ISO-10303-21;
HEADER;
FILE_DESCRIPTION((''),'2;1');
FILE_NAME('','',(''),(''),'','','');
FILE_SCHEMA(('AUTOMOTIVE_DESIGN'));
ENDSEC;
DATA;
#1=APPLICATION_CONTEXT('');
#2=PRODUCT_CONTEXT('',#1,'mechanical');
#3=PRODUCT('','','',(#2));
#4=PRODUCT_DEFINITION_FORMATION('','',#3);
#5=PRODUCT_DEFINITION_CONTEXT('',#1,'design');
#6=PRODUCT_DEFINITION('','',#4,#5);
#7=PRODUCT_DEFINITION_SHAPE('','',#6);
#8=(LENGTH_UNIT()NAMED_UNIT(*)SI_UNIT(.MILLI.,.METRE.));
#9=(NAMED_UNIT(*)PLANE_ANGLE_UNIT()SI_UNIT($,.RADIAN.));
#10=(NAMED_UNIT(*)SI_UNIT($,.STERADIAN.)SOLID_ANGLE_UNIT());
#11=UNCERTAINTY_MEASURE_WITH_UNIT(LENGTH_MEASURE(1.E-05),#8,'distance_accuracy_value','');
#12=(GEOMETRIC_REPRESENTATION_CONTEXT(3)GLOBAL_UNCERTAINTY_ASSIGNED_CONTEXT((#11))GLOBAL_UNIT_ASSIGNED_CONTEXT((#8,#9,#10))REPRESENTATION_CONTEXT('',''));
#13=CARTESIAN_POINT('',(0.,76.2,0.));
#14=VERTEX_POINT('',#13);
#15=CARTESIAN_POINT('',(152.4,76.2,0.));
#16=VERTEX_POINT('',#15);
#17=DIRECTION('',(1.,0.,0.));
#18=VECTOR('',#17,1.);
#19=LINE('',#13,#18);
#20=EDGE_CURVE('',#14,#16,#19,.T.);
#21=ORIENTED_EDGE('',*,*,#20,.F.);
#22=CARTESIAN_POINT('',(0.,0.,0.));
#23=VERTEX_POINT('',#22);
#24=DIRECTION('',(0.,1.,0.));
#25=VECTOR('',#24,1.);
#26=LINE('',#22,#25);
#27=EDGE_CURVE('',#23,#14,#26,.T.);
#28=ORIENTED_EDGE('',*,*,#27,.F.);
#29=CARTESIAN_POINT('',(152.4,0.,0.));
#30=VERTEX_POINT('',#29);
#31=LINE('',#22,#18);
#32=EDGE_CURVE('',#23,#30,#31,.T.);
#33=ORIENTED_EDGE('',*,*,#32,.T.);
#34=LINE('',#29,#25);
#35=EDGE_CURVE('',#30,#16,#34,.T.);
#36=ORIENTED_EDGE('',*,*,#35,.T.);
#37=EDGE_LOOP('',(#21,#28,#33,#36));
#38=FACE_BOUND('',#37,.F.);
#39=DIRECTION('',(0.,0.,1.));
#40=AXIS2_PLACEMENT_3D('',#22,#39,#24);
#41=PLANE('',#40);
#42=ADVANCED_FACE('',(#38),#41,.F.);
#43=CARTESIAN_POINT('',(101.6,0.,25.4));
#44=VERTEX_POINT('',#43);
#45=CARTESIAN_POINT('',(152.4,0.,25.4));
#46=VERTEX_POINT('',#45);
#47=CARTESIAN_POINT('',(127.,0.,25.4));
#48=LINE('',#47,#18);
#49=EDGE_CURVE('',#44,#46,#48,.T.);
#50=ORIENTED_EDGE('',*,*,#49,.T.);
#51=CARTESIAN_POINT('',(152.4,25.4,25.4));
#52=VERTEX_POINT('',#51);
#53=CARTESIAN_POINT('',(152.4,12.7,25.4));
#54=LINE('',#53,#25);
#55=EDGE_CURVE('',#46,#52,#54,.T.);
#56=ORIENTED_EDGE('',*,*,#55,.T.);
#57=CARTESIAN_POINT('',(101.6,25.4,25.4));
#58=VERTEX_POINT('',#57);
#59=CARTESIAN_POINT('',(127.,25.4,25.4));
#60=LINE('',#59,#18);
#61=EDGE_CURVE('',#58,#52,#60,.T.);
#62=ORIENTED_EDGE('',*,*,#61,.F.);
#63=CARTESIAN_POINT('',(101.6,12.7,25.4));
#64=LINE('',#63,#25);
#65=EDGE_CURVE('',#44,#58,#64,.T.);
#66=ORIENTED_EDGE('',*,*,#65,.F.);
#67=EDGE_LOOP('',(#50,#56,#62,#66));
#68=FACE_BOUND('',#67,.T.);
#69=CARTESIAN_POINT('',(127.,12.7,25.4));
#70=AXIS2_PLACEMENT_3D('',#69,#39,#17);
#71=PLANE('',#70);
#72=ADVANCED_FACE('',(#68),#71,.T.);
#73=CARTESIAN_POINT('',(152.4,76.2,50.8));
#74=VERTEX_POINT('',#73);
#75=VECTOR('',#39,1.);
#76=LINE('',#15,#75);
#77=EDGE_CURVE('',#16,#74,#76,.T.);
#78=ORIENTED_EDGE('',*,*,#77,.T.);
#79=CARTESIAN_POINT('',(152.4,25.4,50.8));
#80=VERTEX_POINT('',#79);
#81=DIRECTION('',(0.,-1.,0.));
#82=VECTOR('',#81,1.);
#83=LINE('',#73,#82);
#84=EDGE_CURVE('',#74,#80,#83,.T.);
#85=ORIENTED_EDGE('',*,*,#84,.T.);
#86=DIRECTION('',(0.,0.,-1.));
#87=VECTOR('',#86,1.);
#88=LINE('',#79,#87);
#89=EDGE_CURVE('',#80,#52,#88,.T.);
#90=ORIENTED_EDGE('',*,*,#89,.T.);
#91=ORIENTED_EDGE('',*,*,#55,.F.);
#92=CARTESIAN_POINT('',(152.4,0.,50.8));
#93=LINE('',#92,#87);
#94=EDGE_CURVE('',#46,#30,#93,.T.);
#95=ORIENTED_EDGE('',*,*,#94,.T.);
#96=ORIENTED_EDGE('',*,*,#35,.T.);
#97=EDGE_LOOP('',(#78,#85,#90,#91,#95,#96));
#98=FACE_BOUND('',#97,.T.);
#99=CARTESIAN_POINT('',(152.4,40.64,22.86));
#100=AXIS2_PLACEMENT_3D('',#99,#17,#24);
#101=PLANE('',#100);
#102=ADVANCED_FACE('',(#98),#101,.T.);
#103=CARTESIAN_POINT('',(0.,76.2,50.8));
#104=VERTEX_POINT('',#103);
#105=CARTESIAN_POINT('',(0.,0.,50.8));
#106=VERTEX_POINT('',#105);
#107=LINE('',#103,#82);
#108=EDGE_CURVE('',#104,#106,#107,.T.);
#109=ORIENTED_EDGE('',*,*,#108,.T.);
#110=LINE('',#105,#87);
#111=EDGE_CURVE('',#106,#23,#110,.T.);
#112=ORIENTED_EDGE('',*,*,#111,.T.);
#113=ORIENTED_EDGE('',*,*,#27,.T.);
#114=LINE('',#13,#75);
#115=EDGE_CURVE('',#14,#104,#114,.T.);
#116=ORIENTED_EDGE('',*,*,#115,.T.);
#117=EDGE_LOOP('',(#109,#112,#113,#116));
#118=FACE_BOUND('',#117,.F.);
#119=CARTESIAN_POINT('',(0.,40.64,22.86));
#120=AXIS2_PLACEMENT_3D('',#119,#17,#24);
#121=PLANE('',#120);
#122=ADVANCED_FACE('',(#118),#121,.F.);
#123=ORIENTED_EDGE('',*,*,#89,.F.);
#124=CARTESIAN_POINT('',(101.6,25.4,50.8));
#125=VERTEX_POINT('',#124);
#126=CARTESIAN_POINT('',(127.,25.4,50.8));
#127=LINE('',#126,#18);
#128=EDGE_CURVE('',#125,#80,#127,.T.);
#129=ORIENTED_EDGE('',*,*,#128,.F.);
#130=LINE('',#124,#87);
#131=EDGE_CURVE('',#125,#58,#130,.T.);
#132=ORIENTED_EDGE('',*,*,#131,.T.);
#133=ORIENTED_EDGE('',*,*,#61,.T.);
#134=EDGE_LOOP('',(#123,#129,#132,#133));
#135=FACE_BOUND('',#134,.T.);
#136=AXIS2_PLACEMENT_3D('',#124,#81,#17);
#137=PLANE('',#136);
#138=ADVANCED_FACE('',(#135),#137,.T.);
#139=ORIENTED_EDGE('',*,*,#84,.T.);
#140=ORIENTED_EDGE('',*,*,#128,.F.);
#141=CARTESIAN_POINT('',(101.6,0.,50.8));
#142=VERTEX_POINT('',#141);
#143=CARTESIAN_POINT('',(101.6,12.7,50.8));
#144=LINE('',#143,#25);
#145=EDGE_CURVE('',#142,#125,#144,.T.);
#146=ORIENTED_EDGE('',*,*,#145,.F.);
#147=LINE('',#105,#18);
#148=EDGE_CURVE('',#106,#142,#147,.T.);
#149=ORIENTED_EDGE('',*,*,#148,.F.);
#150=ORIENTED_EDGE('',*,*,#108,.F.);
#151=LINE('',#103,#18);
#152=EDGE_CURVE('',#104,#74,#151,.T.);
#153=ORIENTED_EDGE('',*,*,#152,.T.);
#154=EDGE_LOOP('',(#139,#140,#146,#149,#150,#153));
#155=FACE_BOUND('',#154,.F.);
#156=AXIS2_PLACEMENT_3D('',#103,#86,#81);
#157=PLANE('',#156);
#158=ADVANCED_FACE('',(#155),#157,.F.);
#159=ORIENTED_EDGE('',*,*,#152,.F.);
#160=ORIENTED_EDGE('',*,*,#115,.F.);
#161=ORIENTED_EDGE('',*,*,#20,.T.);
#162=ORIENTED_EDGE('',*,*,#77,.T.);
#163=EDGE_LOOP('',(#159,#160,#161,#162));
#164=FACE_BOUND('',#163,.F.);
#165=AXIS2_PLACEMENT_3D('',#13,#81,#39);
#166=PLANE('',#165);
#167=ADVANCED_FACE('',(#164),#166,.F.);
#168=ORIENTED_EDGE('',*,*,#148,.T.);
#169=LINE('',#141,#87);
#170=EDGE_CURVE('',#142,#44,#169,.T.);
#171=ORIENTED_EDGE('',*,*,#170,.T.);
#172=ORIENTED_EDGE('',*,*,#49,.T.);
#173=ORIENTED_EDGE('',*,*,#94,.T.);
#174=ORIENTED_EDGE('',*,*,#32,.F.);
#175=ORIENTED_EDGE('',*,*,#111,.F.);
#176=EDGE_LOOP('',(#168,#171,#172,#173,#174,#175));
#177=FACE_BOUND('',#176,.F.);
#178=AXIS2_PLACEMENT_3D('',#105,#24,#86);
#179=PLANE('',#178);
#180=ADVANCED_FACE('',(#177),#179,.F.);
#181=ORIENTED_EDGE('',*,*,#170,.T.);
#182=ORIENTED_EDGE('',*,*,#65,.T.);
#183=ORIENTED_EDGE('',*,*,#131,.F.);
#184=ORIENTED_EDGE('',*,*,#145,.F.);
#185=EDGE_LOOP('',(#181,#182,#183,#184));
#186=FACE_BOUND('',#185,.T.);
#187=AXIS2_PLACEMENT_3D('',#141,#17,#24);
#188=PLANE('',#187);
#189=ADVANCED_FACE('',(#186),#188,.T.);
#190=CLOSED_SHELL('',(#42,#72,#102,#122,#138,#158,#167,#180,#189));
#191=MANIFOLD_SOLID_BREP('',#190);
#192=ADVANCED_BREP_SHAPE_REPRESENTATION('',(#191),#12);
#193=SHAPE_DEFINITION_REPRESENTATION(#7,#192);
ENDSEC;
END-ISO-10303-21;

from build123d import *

# Parameters (mm, degrees)
F0_W     = 25.4
F0_H     = 25.4
F1_DEPTH = 152.4
F3_W     = 50.8
F3_H     = 25.4
F4_DEPTH = 25.4


with BuildPart() as f1:
    # F0 (on Right) → F1 (new body)
    with BuildSketch(Plane.YZ):
        Polygon((0, 25.4), (0, 0), (76.2, 0), (76.2, 50.8), (25.4, 50.8), (25.4, 25.4), align=None)
        with Locations((12.7, 38.1)):
            Rectangle(F0_W, F0_H)
    extrude(amount=F1_DEPTH)

    # F3 (on face) → F4 (cut)
    with BuildSketch(Plane.XY.offset(50.8)):
        with Locations((127, 12.7)):
            Rectangle(F3_W, F3_H)
    extrude(amount=-F4_DEPTH, mode=Mode.SUBTRACT)


solid = f1.part
